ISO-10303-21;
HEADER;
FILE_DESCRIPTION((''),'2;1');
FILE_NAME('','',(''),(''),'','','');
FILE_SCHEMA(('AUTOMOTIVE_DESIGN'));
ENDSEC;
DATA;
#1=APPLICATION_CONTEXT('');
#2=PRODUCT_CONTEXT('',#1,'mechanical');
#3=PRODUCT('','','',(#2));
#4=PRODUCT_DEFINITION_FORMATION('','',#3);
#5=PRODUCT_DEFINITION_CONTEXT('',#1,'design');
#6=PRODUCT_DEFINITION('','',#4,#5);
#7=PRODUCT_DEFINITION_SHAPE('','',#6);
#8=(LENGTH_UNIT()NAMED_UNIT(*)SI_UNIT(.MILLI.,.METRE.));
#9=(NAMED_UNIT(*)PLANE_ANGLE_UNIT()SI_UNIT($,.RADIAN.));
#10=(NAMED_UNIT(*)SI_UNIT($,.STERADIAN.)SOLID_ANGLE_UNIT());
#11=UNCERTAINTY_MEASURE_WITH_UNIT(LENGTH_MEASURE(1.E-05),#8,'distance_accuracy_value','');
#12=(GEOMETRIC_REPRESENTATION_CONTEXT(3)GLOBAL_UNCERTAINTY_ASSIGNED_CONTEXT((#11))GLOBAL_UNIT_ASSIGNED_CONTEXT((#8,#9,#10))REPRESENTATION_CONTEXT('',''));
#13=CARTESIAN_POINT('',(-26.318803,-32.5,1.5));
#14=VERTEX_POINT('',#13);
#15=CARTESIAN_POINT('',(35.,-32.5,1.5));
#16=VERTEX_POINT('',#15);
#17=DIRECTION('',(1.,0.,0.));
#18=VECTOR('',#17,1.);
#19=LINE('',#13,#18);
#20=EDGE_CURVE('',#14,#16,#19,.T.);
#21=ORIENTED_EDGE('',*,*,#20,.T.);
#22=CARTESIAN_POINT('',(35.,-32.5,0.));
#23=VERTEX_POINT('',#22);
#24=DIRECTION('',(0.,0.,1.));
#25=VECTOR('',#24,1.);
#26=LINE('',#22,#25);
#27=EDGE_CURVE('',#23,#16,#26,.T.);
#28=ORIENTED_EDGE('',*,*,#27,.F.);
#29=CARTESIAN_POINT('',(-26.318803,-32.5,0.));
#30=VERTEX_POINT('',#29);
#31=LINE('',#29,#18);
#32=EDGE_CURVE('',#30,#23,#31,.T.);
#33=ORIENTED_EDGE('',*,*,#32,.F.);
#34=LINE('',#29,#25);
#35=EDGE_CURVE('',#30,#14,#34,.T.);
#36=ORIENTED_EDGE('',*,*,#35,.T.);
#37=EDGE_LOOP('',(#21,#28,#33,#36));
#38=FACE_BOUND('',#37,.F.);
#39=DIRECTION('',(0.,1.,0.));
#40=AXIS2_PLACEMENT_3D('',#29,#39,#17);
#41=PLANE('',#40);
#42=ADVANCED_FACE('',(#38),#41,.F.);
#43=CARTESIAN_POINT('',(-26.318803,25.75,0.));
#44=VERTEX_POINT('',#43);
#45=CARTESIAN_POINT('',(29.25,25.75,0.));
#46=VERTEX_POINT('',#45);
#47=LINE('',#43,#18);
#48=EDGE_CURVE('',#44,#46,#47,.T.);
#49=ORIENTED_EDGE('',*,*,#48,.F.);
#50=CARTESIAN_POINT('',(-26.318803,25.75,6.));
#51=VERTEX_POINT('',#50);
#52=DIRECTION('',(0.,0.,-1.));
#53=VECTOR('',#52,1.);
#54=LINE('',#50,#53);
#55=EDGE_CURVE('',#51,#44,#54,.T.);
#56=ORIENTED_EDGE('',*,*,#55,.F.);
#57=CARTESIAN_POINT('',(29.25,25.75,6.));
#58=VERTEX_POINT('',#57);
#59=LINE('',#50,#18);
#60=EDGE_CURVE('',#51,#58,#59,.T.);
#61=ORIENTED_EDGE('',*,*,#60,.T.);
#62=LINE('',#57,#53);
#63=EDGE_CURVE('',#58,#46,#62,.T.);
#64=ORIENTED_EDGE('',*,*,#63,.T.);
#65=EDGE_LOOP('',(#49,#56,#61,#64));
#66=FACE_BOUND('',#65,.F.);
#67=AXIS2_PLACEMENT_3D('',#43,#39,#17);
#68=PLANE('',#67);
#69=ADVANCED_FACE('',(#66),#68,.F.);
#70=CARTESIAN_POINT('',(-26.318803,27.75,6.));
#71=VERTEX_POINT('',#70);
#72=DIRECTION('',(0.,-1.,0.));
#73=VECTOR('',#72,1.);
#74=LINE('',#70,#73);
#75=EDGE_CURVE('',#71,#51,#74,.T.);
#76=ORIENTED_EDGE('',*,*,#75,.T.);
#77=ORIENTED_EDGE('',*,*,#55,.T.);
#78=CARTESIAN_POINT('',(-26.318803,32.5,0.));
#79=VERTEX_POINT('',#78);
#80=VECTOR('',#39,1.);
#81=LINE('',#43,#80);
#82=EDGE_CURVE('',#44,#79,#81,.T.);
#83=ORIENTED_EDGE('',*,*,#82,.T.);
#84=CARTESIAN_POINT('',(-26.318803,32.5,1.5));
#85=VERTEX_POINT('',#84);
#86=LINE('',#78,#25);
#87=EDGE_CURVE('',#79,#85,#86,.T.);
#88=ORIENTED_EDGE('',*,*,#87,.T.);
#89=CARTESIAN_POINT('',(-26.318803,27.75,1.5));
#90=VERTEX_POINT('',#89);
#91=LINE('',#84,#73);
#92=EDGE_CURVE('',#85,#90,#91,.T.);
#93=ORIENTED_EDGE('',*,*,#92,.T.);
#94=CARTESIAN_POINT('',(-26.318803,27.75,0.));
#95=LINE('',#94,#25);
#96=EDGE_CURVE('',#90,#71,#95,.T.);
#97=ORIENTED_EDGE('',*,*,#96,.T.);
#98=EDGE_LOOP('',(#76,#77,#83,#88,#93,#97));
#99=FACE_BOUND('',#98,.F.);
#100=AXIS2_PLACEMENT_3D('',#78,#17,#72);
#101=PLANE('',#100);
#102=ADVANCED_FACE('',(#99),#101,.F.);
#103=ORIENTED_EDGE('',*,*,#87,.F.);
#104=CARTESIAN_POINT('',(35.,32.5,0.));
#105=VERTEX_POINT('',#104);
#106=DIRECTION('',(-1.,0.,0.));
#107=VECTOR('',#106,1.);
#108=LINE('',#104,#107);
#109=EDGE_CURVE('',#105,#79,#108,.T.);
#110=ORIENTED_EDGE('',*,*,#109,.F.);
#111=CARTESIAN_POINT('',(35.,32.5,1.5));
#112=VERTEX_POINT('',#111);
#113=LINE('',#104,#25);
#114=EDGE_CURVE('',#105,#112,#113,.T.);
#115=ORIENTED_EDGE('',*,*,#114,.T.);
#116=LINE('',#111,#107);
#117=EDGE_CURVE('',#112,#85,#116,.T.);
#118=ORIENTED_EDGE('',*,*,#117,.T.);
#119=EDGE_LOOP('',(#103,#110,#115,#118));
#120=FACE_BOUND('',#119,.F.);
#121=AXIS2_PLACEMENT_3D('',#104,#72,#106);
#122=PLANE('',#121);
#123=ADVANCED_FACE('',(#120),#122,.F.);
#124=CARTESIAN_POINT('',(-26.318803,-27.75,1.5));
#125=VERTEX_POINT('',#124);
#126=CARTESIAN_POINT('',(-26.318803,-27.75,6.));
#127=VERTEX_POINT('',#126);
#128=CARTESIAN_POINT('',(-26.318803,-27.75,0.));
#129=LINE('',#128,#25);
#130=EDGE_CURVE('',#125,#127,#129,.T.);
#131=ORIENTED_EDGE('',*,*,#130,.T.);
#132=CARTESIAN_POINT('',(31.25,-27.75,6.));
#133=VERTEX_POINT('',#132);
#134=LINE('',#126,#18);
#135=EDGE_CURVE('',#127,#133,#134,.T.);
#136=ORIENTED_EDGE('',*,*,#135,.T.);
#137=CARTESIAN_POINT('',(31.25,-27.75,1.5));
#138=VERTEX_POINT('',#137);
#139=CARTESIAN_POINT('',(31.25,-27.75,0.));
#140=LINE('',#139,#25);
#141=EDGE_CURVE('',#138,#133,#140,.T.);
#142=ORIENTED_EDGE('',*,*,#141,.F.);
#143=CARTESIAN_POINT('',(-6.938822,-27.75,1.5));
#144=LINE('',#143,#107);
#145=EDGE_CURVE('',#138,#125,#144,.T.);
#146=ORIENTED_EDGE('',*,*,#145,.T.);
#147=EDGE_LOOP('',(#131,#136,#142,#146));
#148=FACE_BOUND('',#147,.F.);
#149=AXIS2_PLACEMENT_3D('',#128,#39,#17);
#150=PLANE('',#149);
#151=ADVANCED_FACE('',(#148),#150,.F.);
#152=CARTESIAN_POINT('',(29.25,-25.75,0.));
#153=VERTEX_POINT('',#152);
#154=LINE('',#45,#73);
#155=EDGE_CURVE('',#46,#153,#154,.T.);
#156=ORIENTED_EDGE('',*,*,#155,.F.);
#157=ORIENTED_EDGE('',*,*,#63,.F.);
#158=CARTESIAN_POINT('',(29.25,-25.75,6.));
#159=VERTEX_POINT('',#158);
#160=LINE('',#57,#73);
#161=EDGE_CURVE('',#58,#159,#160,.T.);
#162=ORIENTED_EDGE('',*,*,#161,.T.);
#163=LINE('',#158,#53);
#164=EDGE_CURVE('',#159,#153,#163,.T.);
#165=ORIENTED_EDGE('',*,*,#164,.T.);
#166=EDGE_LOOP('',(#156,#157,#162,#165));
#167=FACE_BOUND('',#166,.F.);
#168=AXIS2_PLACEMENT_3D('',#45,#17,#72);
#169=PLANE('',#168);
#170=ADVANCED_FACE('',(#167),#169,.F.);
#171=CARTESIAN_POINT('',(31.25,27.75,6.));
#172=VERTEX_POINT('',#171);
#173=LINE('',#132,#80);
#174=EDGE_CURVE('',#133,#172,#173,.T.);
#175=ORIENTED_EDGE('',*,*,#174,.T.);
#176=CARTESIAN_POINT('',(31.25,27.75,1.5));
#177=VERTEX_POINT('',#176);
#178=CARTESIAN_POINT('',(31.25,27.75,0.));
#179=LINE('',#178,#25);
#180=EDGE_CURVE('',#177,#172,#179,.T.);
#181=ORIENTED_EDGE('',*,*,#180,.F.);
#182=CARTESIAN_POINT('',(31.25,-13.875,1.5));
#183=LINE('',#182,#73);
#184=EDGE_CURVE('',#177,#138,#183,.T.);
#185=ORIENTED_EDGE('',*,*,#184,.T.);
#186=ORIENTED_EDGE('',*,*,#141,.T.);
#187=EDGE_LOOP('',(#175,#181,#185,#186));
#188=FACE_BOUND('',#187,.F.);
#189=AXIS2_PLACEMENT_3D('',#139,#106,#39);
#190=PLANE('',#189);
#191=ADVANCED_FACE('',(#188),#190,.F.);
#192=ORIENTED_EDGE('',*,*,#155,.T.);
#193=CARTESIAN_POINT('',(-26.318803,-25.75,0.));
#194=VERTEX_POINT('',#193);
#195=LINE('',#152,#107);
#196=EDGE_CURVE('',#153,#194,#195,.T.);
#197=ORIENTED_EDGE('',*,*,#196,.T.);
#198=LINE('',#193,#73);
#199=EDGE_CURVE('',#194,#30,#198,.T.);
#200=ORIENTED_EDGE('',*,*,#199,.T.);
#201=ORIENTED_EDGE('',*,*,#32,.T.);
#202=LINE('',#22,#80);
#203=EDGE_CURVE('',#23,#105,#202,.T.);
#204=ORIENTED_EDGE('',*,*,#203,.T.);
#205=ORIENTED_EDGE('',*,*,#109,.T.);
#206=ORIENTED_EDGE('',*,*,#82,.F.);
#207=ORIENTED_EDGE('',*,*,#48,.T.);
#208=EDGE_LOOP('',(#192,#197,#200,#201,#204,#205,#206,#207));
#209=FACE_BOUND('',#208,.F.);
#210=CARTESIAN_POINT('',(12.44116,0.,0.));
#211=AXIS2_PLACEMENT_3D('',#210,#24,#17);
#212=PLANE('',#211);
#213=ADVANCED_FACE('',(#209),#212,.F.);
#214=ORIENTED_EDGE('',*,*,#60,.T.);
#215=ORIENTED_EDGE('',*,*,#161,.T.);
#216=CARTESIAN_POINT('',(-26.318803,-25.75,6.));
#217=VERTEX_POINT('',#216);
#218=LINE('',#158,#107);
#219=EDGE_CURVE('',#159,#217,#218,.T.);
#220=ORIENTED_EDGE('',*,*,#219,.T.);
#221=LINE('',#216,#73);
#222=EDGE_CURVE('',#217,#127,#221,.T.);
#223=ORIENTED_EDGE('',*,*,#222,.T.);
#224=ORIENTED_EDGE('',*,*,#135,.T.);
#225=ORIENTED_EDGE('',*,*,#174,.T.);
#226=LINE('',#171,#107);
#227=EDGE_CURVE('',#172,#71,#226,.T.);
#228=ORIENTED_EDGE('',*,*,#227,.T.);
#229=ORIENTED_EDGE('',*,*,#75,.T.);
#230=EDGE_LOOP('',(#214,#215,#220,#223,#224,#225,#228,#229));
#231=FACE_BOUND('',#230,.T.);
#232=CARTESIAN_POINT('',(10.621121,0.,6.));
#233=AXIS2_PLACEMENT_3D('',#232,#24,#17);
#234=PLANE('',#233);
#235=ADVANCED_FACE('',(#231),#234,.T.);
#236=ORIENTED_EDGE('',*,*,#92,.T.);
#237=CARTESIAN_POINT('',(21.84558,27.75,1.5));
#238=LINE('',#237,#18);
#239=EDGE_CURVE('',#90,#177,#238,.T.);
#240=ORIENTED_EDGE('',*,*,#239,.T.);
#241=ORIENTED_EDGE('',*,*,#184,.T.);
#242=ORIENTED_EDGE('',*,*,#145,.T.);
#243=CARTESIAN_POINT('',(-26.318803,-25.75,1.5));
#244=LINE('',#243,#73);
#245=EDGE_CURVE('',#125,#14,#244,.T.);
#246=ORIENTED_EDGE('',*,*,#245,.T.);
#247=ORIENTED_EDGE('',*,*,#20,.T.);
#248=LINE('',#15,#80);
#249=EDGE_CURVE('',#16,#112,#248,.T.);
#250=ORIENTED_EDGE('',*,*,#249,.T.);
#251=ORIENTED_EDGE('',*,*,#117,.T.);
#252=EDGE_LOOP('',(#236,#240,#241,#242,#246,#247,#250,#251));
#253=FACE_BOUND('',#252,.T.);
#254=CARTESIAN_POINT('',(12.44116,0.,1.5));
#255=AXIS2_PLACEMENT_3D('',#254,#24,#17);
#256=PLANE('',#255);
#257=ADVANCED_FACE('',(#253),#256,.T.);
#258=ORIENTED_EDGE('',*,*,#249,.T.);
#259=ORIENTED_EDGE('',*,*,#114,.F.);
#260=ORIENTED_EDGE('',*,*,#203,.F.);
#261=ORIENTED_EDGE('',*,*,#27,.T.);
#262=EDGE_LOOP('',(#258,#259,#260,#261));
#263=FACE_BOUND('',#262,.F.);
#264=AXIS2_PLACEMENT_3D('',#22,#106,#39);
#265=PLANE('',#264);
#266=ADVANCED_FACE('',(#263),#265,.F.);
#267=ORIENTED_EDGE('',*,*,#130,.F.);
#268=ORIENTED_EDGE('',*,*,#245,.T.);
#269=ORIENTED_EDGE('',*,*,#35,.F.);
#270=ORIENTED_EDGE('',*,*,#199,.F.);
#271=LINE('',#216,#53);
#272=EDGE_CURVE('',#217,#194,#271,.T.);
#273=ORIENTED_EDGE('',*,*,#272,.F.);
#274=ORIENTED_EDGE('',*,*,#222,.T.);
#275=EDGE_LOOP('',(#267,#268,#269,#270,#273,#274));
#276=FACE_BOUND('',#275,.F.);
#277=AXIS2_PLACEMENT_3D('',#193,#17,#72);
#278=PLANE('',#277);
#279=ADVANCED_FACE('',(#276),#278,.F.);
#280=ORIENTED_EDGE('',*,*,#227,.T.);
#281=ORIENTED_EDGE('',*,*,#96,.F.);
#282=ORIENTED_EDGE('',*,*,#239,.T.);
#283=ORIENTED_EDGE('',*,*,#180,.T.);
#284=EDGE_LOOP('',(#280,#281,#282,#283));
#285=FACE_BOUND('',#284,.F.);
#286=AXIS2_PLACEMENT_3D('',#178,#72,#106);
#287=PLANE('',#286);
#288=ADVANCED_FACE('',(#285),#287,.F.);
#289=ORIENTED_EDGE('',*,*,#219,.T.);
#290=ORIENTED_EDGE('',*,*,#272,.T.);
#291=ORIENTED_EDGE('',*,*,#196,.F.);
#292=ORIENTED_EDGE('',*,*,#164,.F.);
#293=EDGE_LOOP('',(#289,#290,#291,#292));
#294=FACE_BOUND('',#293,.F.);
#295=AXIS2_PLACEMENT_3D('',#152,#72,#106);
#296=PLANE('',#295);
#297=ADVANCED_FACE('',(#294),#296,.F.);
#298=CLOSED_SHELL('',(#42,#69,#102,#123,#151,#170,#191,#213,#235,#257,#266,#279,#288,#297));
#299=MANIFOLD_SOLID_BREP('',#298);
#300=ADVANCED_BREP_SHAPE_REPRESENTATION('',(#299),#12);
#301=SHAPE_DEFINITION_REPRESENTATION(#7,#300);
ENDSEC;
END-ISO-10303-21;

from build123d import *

# Parameters (mm, degrees)
F1_DEPTH = 1.5
F2_DEPTH = 6


with BuildPart() as f1:
    # F0 (on Top) → F1 (new body)
    with BuildSketch(Plane.XY):
        Polygon((31.25, -27.75), (-26.318803, -27.75), (-26.318803, -32.5), (35, -32.5), (35, 32.5), (-26.318803, 32.5), (-26.318803, 27.75), (31.25, 27.75), align=None)
        Polygon((29.25, 25.75), (29.25, -25.75), (-26.318803, -25.75), (-26.318803, -27.75), (31.25, -27.75), (31.25, 27.75), (-26.318803, 27.75), (-26.318803, 25.75), align=None)
    extrude(amount=F1_DEPTH)

    # F0 (on Top) → F2 (join)
    with BuildSketch(Plane.XY):
        Polygon((29.25, 25.75), (29.25, -25.75), (-26.318803, -25.75), (-26.318803, -27.75), (31.25, -27.75), (31.25, 27.75), (-26.318803, 27.75), (-26.318803, 25.75), align=None)
    extrude(amount=F2_DEPTH)


solid = f1.part
